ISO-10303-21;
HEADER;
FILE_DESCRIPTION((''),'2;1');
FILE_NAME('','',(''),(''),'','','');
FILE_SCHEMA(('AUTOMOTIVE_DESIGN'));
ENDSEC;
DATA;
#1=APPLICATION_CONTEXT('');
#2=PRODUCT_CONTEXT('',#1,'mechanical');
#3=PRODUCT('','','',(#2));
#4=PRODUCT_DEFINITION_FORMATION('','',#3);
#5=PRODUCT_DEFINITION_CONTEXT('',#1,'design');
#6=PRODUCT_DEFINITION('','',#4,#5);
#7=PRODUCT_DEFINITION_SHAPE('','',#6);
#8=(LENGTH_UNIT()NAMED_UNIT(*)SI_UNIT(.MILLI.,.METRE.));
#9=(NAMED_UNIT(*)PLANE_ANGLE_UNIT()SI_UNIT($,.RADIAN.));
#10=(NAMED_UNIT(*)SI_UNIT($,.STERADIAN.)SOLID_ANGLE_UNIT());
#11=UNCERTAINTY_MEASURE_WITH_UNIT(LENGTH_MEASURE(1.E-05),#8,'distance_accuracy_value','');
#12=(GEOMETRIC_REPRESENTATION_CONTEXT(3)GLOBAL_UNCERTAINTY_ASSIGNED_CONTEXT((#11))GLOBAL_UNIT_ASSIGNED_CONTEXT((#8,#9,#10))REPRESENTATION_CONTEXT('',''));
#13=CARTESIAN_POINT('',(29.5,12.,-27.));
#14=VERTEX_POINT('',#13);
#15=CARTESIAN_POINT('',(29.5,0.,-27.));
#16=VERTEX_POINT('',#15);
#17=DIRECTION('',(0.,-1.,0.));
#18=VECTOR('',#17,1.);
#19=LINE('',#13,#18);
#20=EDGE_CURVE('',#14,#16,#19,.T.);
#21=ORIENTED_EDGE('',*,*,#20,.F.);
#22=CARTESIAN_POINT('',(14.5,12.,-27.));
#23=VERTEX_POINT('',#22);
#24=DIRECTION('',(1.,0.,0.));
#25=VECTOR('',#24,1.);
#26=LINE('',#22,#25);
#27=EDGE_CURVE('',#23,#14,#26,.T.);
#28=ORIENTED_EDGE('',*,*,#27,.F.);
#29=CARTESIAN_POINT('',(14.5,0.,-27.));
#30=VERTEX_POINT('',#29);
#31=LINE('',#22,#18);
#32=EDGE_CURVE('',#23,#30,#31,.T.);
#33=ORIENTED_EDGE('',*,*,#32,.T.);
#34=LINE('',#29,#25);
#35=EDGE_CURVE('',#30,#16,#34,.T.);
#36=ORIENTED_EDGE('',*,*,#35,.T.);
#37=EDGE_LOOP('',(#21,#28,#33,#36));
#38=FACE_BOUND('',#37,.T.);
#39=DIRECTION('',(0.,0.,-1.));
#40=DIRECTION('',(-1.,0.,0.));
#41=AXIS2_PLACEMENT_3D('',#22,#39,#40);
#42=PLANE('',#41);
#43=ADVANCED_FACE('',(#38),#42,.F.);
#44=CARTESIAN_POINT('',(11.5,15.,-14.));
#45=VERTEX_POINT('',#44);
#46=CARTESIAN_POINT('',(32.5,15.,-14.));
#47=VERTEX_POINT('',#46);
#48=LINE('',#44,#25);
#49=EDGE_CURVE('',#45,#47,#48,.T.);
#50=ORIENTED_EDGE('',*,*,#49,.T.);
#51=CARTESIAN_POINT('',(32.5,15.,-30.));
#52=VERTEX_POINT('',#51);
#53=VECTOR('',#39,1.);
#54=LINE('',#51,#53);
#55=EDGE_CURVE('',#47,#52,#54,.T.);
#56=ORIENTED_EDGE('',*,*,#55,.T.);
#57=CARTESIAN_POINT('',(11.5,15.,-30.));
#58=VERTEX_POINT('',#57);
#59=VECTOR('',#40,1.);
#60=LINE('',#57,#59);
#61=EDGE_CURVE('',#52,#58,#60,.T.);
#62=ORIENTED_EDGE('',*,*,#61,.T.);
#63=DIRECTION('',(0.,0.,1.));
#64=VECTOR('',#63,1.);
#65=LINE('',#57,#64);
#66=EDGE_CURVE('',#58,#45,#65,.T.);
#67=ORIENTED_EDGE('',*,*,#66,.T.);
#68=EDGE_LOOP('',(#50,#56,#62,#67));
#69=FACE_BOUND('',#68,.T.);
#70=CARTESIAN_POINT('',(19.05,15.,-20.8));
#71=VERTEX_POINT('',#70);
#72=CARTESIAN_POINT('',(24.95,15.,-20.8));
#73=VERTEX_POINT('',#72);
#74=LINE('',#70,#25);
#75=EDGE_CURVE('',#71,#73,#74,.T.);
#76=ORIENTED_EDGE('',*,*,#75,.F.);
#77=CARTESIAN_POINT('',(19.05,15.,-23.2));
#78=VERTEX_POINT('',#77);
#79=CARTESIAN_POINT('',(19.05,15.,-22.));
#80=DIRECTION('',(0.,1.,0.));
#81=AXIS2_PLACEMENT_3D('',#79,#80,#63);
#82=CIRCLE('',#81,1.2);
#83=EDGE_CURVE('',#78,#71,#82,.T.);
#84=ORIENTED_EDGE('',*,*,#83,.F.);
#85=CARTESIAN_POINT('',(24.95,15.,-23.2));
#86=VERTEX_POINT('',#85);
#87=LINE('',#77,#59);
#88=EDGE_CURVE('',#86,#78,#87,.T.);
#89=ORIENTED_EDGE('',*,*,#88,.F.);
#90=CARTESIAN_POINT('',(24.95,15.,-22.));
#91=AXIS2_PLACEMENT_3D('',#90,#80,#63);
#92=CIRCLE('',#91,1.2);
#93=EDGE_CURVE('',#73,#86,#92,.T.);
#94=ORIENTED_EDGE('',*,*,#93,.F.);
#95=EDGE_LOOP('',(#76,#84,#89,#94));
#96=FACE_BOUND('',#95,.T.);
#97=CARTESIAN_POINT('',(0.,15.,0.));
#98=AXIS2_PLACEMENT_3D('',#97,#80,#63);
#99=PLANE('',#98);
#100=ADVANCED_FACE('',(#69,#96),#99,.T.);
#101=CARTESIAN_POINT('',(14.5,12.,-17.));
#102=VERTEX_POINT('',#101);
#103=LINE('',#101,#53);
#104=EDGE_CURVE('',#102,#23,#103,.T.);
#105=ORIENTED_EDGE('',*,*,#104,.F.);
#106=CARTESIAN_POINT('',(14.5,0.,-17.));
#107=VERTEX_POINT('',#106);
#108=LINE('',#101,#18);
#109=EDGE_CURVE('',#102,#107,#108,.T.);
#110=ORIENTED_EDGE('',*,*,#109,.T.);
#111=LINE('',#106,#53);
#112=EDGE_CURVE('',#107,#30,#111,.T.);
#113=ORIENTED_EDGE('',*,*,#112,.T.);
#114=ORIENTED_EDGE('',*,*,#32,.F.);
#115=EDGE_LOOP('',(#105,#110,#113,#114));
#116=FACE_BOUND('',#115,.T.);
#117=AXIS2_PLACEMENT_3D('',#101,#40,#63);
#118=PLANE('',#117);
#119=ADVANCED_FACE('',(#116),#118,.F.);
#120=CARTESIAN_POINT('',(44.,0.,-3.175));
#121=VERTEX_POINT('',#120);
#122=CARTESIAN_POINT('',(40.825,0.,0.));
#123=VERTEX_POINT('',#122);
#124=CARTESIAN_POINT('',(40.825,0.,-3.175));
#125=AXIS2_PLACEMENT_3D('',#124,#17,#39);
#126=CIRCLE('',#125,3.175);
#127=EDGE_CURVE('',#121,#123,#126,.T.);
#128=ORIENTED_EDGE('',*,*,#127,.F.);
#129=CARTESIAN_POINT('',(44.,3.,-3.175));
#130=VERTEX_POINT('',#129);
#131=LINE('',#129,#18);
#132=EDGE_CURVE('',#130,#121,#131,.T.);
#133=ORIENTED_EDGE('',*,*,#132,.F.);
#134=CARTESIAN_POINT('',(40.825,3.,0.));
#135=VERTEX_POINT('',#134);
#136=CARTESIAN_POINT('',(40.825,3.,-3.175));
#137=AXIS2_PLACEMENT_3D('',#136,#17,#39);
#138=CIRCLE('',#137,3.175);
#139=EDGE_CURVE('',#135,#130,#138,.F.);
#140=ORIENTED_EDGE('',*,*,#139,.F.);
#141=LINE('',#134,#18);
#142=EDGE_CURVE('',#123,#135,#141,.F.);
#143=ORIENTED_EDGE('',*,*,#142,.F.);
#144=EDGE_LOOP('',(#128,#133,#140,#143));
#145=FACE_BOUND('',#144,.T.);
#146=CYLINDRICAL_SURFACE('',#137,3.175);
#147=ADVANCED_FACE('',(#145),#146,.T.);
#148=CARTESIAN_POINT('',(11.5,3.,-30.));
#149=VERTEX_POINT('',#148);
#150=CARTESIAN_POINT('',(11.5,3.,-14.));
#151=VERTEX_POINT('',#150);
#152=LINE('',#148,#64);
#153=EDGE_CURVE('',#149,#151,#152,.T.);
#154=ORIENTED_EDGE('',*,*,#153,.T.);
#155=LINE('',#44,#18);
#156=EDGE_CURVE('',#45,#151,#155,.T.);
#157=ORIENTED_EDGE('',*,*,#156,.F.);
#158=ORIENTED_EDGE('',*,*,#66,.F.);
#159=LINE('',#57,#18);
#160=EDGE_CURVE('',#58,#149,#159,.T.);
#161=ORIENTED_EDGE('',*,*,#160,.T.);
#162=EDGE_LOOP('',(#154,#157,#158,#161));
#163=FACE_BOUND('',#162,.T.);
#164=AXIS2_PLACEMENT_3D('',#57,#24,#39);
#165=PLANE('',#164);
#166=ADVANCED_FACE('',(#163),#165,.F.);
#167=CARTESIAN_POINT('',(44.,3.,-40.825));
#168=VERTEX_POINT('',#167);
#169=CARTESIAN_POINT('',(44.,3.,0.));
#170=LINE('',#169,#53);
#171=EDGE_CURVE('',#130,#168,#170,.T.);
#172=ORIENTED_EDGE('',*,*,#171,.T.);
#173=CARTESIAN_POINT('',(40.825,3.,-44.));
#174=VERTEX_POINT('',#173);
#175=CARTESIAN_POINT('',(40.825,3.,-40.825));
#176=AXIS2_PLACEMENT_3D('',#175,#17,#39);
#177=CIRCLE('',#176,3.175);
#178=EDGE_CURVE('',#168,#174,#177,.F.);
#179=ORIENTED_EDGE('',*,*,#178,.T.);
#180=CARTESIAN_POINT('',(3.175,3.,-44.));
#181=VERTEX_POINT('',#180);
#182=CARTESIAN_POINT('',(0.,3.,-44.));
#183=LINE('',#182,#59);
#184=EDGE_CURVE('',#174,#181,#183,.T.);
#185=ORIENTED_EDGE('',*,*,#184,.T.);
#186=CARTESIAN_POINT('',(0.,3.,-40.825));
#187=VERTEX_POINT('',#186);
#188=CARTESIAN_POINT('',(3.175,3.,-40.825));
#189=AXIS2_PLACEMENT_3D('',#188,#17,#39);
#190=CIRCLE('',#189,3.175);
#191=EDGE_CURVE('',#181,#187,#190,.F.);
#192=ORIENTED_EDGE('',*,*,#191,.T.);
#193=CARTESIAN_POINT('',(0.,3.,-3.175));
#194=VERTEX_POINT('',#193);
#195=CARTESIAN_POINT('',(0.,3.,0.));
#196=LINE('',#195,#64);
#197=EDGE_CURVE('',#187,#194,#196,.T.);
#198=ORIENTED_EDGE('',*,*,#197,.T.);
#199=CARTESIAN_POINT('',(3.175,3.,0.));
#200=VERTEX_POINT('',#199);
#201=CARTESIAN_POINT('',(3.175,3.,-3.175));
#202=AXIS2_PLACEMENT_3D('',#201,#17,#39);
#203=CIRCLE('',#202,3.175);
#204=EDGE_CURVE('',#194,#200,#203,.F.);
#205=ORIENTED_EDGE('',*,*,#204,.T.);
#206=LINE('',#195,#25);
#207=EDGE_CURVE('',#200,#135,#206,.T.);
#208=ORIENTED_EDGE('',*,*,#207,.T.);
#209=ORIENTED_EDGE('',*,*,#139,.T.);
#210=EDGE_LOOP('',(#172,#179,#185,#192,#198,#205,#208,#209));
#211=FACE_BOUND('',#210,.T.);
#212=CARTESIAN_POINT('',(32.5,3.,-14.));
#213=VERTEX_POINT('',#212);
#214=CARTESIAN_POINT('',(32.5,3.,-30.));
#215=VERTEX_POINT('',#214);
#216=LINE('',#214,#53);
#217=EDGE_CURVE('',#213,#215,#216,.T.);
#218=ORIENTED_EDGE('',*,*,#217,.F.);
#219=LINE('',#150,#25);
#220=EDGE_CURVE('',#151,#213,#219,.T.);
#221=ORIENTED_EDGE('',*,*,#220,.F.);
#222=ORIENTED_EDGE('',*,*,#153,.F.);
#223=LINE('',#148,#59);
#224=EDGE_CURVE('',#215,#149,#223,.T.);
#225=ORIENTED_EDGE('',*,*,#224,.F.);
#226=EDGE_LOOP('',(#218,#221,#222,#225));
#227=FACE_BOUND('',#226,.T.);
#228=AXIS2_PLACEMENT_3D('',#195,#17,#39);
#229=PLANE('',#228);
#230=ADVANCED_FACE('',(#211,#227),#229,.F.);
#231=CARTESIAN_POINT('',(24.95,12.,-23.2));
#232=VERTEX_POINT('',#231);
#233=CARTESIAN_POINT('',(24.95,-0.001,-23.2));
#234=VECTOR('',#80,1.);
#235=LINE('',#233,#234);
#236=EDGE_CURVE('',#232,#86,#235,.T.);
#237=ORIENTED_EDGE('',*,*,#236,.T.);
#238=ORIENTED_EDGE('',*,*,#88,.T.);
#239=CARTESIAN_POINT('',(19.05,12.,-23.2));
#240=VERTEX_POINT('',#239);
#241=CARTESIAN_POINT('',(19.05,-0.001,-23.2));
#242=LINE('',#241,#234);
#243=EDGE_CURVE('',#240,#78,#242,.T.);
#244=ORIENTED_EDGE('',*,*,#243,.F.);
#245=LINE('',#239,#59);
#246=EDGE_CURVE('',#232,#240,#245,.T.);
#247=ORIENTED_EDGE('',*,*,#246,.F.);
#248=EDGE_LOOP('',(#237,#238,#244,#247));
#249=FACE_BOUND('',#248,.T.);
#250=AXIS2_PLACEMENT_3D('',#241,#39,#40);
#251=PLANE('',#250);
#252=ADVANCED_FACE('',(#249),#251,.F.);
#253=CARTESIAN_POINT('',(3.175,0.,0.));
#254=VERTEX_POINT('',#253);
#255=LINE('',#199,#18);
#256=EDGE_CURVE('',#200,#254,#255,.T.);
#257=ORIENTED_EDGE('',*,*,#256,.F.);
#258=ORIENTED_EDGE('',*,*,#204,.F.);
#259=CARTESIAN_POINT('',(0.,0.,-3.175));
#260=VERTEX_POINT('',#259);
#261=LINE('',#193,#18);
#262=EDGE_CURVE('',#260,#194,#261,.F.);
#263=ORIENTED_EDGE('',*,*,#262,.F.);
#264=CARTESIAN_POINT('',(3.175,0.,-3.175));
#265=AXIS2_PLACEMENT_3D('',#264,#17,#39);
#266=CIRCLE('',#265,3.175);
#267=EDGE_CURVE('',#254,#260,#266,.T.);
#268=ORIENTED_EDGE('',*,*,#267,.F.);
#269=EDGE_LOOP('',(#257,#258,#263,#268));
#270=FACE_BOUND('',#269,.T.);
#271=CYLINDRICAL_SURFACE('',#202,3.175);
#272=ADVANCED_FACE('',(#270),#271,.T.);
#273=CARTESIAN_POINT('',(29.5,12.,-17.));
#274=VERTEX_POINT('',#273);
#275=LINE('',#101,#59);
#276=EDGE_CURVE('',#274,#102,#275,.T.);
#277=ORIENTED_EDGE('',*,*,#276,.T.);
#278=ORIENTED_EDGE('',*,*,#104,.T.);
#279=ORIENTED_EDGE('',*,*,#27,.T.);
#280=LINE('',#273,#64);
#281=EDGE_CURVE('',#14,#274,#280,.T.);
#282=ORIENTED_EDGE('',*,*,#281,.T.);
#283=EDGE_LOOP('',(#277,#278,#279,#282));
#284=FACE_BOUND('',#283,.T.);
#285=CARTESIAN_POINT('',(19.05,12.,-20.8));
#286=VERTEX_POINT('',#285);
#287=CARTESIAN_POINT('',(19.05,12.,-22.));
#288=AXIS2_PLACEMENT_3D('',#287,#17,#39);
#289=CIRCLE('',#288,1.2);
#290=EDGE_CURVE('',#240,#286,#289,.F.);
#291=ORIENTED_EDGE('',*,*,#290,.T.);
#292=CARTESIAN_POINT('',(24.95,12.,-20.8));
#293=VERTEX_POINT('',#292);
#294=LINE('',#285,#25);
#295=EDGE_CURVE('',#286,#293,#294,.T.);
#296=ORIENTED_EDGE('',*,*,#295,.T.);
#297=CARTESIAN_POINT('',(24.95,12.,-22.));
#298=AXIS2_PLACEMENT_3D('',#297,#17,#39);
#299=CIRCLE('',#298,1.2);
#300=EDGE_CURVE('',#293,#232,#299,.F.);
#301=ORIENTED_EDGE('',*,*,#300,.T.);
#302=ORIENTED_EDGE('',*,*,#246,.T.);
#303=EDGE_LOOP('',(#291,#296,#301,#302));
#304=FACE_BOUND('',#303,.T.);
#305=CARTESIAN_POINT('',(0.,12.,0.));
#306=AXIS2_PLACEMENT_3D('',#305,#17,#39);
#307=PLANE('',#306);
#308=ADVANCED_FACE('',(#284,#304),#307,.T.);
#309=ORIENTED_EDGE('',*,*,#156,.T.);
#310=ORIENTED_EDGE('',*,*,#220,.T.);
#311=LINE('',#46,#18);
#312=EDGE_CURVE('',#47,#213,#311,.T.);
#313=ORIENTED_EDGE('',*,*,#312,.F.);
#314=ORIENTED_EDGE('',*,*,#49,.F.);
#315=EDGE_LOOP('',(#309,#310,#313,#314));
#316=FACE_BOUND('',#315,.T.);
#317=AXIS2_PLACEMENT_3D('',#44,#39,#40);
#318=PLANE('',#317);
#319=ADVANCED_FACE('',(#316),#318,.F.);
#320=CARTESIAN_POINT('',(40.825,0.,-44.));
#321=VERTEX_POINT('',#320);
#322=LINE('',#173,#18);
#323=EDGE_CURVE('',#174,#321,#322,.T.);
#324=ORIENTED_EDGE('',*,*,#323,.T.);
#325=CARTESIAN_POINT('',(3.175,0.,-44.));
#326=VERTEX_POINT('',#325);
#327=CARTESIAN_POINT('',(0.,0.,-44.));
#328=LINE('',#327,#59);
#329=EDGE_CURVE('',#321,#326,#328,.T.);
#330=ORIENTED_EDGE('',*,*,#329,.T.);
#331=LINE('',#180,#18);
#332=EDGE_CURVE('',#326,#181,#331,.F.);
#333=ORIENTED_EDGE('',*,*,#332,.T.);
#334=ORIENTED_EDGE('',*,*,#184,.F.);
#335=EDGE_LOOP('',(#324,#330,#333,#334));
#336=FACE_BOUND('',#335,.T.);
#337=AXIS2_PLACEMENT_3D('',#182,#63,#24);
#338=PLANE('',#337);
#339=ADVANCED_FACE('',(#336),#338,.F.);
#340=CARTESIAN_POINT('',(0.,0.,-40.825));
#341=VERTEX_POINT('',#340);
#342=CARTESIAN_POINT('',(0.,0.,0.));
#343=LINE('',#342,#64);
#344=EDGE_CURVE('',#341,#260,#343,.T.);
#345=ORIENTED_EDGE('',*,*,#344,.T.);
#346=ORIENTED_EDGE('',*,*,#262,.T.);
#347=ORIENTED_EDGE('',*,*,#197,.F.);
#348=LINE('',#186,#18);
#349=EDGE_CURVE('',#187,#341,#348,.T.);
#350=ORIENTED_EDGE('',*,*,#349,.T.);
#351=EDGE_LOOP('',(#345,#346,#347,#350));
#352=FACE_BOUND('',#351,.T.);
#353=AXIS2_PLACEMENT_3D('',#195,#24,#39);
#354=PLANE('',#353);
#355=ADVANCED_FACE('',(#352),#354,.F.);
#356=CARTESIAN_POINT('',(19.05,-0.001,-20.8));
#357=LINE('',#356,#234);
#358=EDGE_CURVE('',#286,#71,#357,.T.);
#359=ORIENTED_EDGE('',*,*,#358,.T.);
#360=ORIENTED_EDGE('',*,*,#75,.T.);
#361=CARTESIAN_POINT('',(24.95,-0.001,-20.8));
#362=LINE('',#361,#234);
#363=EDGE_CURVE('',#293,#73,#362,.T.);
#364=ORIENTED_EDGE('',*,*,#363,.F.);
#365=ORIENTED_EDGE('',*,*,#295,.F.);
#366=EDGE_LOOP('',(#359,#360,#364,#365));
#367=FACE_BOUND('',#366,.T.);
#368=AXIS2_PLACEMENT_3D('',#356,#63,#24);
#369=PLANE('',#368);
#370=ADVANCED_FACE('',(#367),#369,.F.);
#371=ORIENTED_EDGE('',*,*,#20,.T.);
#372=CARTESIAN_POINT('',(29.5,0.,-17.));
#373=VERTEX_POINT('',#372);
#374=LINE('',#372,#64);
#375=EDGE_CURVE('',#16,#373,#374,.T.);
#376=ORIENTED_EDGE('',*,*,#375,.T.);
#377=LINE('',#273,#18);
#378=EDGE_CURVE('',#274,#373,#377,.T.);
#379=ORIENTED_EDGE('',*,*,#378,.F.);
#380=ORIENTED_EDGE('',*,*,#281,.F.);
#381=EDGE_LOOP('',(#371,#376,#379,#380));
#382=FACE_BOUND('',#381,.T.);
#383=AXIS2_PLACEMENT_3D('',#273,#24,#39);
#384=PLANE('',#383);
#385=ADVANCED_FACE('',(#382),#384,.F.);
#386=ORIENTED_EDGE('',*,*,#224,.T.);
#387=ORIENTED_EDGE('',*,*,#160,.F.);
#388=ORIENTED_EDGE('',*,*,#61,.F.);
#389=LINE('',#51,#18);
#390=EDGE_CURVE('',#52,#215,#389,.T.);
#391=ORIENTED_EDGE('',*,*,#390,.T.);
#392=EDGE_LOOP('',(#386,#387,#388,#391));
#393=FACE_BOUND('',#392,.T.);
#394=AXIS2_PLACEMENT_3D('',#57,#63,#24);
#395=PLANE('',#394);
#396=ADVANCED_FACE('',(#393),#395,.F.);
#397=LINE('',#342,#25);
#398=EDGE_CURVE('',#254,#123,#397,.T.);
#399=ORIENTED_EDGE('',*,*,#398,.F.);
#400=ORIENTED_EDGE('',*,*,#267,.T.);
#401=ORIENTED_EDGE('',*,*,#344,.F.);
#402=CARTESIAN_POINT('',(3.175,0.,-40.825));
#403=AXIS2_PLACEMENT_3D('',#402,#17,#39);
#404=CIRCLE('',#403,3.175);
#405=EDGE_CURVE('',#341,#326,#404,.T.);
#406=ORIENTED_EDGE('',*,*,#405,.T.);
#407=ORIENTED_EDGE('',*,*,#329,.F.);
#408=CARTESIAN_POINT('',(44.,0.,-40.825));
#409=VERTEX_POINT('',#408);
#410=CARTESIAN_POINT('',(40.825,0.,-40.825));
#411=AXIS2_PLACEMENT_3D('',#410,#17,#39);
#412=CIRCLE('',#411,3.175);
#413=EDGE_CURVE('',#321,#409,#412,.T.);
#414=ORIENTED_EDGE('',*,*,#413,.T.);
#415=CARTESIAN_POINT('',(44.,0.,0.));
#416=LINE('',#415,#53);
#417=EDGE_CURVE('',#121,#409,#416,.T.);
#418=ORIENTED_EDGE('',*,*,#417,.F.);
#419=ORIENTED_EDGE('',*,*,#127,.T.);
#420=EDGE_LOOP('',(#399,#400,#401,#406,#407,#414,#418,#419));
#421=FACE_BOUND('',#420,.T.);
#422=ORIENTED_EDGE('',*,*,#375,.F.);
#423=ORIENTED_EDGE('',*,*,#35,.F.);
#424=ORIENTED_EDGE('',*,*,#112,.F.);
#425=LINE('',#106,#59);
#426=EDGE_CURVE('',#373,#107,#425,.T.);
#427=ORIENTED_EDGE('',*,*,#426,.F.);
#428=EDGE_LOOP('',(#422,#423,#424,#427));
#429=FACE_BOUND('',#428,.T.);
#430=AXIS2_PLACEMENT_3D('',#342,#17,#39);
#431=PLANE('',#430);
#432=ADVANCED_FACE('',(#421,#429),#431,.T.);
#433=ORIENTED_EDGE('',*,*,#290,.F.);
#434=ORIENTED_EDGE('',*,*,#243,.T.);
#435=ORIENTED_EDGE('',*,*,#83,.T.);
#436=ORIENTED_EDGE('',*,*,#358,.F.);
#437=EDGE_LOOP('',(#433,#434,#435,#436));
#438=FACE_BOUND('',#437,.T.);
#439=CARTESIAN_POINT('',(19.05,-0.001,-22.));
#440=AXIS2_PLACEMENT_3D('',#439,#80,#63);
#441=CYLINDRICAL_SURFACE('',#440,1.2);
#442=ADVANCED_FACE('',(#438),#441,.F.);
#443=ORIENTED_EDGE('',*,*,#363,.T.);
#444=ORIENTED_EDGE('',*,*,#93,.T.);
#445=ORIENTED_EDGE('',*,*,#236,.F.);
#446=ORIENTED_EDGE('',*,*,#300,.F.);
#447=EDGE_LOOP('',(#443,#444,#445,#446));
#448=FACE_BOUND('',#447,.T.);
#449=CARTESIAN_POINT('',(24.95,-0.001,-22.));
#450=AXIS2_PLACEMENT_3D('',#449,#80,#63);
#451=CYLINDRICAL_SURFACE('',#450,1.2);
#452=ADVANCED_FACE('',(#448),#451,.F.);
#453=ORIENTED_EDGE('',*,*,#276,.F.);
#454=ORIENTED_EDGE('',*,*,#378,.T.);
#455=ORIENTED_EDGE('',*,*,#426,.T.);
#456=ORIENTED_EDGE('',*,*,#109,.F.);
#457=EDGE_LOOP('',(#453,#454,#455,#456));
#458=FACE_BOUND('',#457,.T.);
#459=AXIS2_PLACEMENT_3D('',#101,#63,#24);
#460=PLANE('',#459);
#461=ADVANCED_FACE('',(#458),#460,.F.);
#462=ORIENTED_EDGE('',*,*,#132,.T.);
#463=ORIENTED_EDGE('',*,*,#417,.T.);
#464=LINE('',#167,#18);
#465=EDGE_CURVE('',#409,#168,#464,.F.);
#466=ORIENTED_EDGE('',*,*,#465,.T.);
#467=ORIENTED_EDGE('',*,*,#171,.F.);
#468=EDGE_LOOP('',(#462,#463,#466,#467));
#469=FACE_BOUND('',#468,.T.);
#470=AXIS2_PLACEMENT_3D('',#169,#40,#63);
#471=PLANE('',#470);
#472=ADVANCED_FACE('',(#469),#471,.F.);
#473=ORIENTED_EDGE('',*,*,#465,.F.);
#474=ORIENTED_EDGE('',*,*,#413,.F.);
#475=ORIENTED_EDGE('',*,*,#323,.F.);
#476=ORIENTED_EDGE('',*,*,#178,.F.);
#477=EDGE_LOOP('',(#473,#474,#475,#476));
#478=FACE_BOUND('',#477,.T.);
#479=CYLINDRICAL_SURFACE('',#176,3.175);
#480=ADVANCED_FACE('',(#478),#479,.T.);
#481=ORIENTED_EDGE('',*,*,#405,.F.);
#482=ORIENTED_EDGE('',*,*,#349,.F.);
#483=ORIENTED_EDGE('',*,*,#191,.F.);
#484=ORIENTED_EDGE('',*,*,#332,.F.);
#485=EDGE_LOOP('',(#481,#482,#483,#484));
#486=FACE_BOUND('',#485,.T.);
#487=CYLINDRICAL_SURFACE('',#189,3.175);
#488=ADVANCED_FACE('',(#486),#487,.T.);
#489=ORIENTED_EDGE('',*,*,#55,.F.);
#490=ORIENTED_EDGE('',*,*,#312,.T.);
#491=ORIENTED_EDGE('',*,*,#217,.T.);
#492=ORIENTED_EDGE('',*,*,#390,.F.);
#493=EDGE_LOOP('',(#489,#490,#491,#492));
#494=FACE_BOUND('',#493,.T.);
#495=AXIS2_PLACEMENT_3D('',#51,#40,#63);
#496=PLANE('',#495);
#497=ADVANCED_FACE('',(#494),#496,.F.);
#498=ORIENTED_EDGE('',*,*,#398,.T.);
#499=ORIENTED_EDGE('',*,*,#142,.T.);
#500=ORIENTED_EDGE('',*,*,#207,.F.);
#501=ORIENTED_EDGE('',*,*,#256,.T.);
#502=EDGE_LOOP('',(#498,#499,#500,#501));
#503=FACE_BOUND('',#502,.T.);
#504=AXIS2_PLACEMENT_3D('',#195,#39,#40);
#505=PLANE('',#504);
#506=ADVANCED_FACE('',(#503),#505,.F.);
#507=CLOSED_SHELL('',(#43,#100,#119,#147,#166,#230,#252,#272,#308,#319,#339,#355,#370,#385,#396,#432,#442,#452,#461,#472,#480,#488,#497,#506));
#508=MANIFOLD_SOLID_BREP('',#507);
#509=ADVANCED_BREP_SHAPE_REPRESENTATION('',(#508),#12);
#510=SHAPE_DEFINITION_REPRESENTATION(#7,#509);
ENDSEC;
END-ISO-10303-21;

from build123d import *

# Parameters (mm, degrees)
SKETCH1_W           = 44
SKETCH1_H           = 44
BOSS_EXTRUDE1_DEPTH = 3
SKETCH2_W           = 21
SKETCH2_H           = 16
BOSS_EXTRUDE2_DEPTH = 12
SKETCH3_W           = 15
SKETCH3_H           = 10
CUT_EXTRUDE1_DEPTH  = 12
CUT_EXTRUDE2_REACH  = 66.008
FILLET1_R           = 3.175


with BuildPart() as part:
    # Sketch1 → Boss-Extrude1 (new body)
    with BuildSketch(Plane(origin=(0, 0, 0), x_dir=(1, 0, 0), z_dir=(0, 1, 0))):
        with Locations((22, 22)):
            Rectangle(SKETCH1_W, SKETCH1_H)
    extrude(amount=BOSS_EXTRUDE1_DEPTH)

    # Sketch2 → Boss-Extrude2 (add)
    with BuildSketch(Plane(origin=(0, 3, 0), x_dir=(1, 0, 0), z_dir=(0, 1, 0))):
        with Locations((22, 22)):
            Rectangle(SKETCH2_W, SKETCH2_H)
    extrude(amount=BOSS_EXTRUDE2_DEPTH)

    # Sketch3 → Cut-Extrude1 (cut)
    with BuildSketch(Plane.XZ):
        with Locations((22, -22)):
            Rectangle(SKETCH3_W, SKETCH3_H)
    extrude(amount=-CUT_EXTRUDE1_DEPTH, mode=Mode.SUBTRACT)

    # Sketch4 → Cut-Extrude2 (cut, up to next)
    with BuildSketch(Plane(origin=(0, 15, 0), x_dir=(1, 0, 0), z_dir=(0, 1, 0)), mode=Mode.PRIVATE) as cut_extrude2_sk1:
        with BuildLine():
            Line((19.05, 23.2), (24.95, 23.2))
            ThreePointArc((24.95, 23.2), (26.15, 22), (24.95, 20.8))
            Line((24.95, 20.8), (19.05, 20.8))
            ThreePointArc((19.05, 20.8), (17.85, 22), (19.05, 23.2))
        make_face()
    cut_extrude2_tool1 = extrude(cut_extrude2_sk1.sketch, amount=-CUT_EXTRUDE2_REACH, mode=Mode.PRIVATE) & part.part
    add(cut_extrude2_tool1.solids().sort_by_distance((22, 15, -22))[0], mode=Mode.SUBTRACT)

    # Fillet1
    fillet1_edges = [part.edges().sort_by_distance(p)[0] for p in [
        (0, 1.5, -44),
        (44, 1.5, -44),
        (44, 1.5, 0),
        (0, 1.5, 0),
    ]]
    fillet(fillet1_edges, radius=FILLET1_R)


solid = part.part
